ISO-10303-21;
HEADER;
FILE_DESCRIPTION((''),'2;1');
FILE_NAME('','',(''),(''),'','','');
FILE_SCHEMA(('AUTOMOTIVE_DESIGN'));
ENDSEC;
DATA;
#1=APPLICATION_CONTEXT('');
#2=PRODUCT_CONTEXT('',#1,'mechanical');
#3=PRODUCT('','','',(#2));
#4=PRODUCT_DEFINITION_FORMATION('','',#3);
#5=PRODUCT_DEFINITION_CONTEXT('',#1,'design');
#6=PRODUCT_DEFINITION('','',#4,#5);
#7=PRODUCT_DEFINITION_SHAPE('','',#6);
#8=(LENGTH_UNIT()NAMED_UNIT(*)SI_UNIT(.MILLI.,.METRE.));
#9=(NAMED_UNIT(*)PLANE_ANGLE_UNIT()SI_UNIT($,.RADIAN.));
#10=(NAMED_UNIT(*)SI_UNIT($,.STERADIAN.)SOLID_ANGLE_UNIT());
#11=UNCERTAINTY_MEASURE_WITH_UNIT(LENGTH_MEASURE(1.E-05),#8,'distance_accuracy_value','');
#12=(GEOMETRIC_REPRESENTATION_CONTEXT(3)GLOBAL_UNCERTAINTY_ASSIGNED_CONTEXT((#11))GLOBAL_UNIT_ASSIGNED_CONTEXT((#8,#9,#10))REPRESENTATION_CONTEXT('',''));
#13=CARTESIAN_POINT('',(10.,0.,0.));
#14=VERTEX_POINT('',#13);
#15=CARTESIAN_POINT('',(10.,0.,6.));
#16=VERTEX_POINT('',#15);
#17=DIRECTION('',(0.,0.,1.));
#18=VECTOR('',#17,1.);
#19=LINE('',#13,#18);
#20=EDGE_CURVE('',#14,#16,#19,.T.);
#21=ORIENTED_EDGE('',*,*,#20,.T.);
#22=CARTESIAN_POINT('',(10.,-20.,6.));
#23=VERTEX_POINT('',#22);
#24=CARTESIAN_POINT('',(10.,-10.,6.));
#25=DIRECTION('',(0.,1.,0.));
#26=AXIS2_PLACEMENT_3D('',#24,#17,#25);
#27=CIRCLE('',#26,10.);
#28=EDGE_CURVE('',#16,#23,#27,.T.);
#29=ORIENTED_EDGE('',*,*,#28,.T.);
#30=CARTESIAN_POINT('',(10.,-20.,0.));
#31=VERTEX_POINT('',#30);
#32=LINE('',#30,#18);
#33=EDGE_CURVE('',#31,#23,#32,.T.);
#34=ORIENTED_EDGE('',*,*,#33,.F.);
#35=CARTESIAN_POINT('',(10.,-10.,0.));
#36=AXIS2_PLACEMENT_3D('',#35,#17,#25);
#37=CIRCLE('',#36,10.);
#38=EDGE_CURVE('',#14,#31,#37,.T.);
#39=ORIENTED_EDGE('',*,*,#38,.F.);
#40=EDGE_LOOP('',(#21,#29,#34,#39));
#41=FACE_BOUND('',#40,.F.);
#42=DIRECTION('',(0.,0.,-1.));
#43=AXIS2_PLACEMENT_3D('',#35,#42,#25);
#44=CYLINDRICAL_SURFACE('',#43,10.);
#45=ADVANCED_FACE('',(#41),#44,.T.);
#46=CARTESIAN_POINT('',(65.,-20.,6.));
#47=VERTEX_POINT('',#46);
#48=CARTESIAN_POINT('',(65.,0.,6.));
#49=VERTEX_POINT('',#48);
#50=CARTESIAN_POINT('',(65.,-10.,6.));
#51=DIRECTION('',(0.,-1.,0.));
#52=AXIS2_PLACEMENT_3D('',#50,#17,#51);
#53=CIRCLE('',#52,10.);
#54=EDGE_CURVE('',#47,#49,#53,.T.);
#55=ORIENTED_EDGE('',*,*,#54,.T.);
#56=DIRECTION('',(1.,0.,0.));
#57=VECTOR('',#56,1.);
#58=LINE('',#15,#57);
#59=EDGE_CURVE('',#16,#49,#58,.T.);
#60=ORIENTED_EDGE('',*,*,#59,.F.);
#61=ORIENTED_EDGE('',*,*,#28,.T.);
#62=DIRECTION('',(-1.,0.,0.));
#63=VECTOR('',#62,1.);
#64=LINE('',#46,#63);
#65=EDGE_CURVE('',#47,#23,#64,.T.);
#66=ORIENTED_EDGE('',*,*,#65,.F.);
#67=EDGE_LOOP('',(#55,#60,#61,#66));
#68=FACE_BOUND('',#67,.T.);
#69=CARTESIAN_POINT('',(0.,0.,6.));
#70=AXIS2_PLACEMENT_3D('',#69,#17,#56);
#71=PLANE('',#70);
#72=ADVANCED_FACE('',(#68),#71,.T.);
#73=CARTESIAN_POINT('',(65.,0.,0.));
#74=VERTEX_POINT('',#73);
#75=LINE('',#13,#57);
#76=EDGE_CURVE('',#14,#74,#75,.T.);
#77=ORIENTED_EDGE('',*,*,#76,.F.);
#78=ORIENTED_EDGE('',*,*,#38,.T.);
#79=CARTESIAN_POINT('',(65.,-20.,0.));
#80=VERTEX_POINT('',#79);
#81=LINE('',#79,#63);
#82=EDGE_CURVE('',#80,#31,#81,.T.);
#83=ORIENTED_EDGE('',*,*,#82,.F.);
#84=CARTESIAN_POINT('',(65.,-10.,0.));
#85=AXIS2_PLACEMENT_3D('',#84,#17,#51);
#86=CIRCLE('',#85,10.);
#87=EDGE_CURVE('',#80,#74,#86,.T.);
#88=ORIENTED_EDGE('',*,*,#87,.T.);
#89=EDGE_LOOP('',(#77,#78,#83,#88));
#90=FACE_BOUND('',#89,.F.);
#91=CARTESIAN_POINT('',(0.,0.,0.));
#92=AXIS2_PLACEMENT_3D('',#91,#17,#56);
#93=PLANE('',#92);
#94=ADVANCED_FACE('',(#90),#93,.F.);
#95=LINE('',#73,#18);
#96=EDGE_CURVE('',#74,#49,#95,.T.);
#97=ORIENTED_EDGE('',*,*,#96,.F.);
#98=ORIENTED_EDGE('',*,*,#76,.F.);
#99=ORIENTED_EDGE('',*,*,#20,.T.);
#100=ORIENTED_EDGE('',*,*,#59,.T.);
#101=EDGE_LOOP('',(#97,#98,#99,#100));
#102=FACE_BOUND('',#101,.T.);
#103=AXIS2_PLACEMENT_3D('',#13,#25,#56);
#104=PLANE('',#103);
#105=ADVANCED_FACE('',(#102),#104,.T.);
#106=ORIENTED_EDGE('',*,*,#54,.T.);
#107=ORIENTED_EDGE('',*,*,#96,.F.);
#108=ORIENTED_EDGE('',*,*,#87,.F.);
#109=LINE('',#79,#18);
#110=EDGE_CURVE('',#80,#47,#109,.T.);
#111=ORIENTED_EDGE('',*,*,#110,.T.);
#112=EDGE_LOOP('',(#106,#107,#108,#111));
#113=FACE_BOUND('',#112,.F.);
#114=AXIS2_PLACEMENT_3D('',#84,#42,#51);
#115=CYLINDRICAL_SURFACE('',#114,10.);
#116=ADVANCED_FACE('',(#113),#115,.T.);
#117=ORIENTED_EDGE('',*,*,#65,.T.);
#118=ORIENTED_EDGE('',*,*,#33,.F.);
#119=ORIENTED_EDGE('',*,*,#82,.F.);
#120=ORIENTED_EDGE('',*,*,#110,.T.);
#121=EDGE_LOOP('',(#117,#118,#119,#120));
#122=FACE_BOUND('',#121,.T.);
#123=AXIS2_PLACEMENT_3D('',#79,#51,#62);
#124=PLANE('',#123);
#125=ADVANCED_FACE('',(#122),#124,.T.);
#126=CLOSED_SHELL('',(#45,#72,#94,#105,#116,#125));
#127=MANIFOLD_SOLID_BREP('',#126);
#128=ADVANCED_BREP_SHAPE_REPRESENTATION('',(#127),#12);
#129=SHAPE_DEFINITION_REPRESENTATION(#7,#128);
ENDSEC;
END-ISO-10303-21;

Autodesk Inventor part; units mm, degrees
ref_plane "YZ Plane" through (0, 0, 0) normal (1, 0, 0) x (0, 1, 0)
ref_plane "XZ Plane" through (0, 0, 0) normal (0, 1, 0) x (-1, 0, 0)
ref_plane "XY Plane" through (0, 0, 0) normal (0, 0, 1) x (1, 0, 0)
sketch "Sketch1" plane through (0, 0, 0) normal (0, 0, 1) x (1, 0, 0)
  point P0 (0, 0)
sketch "Sketch2" plane through (0, 0, 0) normal (0, 0, 1) x (1, 0, 0)
  line L0 (10, 0) -> (65, 0)
  line L1 (65, -20) -> (10, -20)
  arc A0 (10, 0) -> (10, -20) centre (10, -10) ccw
  arc A1 (65, -20) -> (65, 0) centre (65, -10) ccw
  point P0 (0, 0)
extrude "Extrusion1" add sketch "Sketch2" along normal blind 6
properties part number "link 3"
